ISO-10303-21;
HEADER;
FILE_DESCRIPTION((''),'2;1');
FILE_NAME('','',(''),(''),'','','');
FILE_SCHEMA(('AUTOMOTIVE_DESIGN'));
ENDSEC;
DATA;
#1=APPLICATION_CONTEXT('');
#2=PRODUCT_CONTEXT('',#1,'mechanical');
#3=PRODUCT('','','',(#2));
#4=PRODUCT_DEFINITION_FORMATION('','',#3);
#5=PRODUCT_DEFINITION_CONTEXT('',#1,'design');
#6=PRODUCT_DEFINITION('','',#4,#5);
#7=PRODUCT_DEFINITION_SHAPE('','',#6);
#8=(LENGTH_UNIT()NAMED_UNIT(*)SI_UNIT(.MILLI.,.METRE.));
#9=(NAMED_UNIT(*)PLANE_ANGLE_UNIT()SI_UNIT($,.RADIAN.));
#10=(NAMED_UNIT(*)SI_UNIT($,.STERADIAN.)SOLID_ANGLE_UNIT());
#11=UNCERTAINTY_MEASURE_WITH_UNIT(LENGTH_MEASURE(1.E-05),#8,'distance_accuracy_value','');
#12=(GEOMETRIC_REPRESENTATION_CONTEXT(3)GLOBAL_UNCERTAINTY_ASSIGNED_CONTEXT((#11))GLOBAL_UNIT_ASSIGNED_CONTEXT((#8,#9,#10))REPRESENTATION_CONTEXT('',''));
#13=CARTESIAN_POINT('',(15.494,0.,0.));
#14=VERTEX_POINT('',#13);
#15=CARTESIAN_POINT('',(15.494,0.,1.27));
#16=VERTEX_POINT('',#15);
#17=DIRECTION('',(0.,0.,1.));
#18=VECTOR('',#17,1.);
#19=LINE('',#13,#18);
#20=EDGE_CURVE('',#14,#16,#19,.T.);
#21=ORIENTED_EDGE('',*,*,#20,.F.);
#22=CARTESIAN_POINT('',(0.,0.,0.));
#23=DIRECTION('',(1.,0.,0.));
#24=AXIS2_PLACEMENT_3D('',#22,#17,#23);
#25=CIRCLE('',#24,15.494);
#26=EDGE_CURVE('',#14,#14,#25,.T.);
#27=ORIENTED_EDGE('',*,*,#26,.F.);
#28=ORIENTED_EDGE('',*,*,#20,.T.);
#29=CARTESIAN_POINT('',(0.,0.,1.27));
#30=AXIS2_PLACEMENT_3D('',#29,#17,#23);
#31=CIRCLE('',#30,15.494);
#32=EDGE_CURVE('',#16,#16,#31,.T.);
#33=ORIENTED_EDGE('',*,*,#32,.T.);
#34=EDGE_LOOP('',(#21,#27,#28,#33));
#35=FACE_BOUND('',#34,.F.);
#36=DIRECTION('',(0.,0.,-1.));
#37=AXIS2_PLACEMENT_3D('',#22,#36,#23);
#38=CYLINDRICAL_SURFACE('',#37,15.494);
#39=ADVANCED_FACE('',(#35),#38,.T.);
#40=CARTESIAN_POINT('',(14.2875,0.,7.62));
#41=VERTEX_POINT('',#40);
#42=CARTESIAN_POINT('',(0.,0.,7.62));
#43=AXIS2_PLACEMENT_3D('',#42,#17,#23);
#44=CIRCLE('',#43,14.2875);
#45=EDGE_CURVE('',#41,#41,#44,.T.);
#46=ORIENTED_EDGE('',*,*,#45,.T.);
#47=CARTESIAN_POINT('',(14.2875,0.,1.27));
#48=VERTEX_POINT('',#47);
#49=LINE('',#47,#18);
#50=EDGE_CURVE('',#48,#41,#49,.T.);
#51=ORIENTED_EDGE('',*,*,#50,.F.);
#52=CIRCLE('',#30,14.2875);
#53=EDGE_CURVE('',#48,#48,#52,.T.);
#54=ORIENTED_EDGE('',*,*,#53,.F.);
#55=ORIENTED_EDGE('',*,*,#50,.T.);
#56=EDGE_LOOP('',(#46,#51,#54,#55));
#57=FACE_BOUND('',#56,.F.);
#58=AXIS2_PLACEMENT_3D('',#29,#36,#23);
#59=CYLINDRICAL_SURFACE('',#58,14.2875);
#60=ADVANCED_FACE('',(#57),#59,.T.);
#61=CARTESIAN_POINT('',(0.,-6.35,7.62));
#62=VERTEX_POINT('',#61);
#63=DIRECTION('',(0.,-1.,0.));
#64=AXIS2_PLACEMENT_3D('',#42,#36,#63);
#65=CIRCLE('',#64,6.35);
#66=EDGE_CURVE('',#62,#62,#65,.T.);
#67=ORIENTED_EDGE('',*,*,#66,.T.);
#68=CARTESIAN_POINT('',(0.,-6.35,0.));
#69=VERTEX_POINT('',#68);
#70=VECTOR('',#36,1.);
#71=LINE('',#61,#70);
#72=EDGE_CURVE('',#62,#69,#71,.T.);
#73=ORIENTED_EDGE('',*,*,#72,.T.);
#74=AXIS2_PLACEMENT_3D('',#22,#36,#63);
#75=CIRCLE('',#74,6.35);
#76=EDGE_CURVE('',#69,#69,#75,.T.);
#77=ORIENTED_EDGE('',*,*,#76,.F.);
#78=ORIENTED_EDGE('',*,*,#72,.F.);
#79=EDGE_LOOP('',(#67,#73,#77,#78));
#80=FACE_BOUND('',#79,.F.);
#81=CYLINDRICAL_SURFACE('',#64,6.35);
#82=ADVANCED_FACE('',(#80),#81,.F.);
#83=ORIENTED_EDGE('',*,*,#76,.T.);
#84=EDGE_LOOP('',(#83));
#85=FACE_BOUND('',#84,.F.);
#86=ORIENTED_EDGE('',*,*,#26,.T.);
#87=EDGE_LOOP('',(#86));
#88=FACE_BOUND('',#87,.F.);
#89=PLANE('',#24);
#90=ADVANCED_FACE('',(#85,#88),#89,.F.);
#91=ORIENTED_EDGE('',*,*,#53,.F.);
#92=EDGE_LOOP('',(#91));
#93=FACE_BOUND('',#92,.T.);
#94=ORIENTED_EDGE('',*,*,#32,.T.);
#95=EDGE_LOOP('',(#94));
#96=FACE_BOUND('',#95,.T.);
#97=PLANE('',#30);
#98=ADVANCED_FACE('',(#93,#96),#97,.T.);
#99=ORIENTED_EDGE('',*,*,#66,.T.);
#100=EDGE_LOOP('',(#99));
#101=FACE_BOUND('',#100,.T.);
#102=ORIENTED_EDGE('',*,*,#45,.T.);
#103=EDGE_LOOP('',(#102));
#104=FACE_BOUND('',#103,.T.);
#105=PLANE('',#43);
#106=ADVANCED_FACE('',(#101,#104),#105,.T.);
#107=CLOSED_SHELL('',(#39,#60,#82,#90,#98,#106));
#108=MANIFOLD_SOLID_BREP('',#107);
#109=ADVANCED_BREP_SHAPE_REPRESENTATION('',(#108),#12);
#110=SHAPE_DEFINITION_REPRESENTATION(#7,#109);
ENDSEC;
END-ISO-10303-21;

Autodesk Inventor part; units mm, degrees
ref_plane "YZ Plane" through (0, 0, 0) normal (1, 0, 0) x (0, 1, 0)
ref_plane "XZ Plane" through (0, 0, 0) normal (0, 1, 0) x (-1, 0, 0)
ref_plane "XY Plane" through (0, 0, 0) normal (0, 0, 1) x (1, 0, 0)
sketch "Sketch1" plane through (0, 0, 0) normal (0, 0, 1) x (1, 0, 0)
  circle A0 centre (0, 0) radius 15.494
  dimension "d0" = 30.988
extrude "Extrusion1" add sketch "Sketch1" along normal blind 1.27
sketch "Sketch2" plane through (0, 0, 1.27) normal (0, 0, 1) x (1, 0, 0)
  circle A0 centre (0, 0) radius 14.2875
  dimension "d3" = 28.575
extrude "Extrusion2" add sketch "Sketch2" along normal blind 6.35
sketch "Sketch3" plane through (0, 0, 7.62) normal (0, 0, 1) x (1, 0, 0)
  point P0 (0, 0)
  point P1 (0, 0)
hole "Hole1" at (0, 0, 7.62) direction (0, 0, -1) diameter 12.7 end through all
properties part number "Bearing"
